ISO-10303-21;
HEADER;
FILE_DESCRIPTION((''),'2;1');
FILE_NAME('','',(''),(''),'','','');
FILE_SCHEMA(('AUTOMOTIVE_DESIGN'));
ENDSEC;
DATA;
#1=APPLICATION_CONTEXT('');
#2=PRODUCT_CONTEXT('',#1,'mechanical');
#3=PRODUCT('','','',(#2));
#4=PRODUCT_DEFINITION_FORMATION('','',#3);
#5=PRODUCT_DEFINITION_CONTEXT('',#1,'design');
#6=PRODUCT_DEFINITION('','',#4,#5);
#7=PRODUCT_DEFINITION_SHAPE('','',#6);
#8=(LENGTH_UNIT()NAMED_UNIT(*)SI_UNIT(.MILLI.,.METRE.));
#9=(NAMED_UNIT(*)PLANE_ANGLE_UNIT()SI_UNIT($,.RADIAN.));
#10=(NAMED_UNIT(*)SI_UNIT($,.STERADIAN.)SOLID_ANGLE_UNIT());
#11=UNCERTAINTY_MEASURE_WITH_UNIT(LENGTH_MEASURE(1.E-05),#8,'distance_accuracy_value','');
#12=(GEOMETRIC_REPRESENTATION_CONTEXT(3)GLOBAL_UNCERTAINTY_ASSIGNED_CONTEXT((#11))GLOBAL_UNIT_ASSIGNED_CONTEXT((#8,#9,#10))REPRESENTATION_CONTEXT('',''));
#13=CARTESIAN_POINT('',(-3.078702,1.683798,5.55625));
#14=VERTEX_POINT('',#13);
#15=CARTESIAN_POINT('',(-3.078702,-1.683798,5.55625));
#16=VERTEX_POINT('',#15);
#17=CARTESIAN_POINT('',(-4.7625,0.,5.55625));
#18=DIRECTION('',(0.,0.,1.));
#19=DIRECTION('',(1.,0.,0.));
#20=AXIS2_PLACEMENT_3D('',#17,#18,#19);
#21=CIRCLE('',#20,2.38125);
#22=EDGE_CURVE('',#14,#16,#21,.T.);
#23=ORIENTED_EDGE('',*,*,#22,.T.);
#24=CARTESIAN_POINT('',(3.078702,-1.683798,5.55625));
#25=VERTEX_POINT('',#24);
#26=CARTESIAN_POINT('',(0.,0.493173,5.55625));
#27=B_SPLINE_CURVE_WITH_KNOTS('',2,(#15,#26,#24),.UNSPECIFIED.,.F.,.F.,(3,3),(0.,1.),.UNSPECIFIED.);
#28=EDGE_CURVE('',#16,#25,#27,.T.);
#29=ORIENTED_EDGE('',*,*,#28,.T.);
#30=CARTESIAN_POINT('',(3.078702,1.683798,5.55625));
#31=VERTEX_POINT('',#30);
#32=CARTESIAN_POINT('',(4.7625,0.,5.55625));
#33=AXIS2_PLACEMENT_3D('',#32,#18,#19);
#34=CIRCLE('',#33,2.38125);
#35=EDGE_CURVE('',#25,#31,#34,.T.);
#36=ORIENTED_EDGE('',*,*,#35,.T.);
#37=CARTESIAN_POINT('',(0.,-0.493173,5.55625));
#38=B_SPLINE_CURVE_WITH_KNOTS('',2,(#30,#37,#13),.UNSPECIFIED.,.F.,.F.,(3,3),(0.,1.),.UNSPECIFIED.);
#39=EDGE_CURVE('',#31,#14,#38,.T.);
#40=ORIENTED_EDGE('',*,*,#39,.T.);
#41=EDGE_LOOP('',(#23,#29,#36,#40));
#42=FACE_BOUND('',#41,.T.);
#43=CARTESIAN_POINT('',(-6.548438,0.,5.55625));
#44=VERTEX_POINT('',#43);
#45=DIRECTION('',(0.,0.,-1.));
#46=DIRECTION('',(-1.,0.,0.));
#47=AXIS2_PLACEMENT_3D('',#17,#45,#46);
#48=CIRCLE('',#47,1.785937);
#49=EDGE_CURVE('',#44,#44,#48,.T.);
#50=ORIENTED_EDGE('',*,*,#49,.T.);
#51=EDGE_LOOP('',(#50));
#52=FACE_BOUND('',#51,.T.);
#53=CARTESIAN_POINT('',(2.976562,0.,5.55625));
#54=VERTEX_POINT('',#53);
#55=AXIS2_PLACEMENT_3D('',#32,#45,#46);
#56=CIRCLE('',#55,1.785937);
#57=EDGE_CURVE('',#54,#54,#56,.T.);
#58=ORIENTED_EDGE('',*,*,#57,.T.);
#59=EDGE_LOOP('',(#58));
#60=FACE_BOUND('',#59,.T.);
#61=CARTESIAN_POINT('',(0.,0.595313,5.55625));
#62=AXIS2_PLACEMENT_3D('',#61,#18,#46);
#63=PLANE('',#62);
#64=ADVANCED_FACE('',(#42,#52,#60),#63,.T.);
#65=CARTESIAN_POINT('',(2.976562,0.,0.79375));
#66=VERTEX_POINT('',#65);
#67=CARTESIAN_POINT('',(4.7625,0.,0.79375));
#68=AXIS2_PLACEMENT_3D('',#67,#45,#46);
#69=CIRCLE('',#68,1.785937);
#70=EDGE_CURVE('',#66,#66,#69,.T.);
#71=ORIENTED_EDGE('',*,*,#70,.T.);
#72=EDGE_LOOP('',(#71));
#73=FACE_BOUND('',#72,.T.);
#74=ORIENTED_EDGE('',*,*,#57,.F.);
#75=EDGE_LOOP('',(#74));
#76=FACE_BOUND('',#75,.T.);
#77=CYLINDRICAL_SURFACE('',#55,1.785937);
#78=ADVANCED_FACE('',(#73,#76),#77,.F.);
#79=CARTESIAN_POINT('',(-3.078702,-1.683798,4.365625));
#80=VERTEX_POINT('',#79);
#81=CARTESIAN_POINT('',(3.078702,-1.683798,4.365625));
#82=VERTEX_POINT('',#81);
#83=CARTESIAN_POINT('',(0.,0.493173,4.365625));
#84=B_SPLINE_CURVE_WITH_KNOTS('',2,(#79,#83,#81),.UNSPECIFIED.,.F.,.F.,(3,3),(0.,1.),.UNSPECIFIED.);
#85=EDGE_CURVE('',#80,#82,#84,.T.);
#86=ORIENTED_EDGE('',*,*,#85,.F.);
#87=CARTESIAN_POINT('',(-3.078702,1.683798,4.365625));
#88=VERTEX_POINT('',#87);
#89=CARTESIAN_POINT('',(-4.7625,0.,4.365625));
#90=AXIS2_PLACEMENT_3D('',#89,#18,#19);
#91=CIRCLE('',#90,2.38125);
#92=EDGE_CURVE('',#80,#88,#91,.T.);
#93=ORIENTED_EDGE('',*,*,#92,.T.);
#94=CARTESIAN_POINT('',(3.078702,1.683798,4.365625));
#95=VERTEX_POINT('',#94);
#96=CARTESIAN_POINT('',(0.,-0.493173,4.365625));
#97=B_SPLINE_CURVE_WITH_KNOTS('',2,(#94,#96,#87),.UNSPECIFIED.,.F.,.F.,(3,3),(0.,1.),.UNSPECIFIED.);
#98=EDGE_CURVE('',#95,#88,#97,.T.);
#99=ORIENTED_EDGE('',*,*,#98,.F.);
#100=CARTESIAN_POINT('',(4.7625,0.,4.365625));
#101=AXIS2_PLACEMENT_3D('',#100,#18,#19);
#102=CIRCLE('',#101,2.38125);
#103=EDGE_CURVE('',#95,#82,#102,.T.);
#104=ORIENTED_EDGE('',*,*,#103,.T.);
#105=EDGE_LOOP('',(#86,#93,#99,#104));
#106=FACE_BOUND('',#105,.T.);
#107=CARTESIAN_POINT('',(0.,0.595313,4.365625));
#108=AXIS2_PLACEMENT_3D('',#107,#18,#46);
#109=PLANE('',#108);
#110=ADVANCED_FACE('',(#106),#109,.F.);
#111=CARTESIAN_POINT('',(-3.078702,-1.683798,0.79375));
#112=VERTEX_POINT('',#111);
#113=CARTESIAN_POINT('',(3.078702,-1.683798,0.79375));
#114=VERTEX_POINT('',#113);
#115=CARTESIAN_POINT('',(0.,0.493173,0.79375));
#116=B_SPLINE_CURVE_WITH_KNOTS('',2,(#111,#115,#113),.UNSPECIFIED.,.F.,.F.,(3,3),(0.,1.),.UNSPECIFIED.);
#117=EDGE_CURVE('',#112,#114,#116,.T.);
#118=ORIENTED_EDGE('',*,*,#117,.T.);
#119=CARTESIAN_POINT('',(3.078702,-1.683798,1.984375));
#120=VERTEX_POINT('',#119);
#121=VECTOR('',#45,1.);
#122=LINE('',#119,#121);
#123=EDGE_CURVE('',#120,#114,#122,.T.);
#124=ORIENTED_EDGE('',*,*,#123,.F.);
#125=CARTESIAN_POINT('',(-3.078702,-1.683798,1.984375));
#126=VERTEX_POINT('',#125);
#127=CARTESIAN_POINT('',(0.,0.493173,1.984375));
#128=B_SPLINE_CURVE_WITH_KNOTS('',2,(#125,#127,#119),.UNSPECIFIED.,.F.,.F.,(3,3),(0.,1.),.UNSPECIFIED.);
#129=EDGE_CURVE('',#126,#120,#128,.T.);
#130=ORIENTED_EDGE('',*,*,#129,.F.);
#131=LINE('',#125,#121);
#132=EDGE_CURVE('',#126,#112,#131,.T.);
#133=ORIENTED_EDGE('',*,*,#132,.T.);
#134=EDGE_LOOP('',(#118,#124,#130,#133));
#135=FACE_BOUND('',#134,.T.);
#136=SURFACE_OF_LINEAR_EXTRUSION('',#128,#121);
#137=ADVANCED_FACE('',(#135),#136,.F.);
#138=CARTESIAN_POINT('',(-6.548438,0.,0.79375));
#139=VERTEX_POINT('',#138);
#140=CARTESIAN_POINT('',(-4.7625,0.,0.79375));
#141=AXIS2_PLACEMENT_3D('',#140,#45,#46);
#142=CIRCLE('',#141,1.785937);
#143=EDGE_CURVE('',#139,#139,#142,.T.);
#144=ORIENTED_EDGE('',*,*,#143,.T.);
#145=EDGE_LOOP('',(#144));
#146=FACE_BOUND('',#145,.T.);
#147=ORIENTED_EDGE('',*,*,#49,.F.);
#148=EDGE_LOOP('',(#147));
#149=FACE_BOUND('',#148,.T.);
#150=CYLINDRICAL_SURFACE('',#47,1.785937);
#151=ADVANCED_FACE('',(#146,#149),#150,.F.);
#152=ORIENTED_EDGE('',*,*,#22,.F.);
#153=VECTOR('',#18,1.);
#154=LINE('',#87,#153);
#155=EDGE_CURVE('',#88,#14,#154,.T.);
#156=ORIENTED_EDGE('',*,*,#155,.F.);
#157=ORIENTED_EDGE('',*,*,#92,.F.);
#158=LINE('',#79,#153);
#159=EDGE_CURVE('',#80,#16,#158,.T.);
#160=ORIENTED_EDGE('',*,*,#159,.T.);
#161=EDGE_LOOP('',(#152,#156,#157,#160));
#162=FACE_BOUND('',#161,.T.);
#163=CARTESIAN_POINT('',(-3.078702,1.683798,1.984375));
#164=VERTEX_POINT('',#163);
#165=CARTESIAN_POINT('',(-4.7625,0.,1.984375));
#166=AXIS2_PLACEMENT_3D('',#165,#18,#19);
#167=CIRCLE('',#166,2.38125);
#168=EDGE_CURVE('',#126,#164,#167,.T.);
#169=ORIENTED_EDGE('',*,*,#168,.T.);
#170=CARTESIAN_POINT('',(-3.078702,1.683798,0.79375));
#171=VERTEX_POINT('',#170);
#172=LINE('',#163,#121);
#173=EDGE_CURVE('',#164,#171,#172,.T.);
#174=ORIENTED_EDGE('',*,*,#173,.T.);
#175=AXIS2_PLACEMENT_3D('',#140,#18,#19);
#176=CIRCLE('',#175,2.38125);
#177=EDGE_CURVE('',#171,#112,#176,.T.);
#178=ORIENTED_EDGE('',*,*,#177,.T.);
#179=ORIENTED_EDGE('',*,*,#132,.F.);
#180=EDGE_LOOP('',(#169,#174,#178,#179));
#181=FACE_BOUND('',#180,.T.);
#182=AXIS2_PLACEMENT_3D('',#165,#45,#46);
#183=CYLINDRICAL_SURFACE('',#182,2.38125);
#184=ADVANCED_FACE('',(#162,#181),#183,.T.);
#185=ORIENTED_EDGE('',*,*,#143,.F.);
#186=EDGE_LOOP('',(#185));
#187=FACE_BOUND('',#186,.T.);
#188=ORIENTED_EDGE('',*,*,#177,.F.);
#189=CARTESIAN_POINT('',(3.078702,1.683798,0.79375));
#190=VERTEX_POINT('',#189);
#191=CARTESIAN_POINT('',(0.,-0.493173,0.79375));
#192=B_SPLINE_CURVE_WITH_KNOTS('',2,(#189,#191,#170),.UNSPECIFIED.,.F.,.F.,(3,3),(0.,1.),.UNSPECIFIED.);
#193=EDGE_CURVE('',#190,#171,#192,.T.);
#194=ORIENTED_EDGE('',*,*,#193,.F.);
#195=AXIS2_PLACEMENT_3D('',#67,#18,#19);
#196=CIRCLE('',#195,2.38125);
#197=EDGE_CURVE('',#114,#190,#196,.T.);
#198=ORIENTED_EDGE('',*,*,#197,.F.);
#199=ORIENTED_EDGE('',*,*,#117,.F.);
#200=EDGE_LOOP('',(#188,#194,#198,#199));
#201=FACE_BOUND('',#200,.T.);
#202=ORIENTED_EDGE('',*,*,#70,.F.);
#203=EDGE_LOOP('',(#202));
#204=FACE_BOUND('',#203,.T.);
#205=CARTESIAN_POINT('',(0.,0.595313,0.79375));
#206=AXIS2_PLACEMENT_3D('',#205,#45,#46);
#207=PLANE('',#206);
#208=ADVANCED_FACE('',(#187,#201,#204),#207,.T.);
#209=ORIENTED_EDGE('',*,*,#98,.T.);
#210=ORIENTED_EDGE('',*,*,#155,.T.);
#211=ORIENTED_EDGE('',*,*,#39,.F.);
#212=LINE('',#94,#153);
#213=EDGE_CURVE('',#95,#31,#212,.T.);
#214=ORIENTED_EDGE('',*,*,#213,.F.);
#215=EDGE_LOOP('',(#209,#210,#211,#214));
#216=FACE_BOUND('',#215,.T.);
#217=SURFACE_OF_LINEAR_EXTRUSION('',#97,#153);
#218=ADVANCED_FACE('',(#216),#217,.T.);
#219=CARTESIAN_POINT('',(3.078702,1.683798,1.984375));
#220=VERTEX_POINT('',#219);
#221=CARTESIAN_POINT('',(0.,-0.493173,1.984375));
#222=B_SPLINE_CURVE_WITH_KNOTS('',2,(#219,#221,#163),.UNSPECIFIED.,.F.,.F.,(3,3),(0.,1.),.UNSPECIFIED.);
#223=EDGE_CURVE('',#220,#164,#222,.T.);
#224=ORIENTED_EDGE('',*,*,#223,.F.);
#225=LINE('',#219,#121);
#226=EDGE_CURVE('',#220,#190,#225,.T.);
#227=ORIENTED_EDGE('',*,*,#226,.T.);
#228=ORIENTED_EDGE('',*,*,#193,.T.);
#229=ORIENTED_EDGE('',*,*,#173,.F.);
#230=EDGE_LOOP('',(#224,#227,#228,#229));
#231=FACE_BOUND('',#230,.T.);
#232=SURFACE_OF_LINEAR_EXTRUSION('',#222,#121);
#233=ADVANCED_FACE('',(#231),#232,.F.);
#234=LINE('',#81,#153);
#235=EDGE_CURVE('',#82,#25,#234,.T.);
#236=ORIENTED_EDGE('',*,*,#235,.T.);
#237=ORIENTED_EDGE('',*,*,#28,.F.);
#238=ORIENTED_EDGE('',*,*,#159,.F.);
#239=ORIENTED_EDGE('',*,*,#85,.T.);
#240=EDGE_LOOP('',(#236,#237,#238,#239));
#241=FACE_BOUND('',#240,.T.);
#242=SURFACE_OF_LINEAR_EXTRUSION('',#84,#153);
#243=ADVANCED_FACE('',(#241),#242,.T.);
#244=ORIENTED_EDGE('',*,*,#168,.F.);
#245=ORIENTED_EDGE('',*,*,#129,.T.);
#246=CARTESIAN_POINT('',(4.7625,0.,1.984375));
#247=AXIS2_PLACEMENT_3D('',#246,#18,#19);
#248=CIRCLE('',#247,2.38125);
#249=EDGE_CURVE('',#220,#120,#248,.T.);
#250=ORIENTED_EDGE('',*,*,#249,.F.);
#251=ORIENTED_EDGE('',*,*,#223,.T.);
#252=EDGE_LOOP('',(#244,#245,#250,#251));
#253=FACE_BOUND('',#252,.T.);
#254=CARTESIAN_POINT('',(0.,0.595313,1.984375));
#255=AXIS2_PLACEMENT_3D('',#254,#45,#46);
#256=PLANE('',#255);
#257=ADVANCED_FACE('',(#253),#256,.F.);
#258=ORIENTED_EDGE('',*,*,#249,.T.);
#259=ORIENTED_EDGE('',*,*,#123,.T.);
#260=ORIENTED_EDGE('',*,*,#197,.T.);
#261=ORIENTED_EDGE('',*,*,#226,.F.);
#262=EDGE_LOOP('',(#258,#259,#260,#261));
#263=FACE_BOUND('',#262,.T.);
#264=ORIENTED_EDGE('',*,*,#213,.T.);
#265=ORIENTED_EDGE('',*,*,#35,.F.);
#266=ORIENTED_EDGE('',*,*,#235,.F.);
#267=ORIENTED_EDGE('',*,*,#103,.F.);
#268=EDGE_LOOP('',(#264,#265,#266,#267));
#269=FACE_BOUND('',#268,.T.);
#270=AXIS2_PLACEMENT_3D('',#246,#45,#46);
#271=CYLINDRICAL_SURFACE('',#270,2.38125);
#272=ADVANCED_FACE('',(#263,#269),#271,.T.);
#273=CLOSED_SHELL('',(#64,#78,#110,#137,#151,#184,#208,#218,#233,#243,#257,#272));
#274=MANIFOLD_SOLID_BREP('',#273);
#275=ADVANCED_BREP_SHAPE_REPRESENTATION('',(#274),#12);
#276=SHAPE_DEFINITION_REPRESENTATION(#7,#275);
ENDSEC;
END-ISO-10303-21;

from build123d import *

# Parameters (mm, degrees)
BOSS_EXTRUDE1_DEPTH = 1.5875
SKETCH2_R           = 3.175
BOSS_EXTRUDE2_DEPTH = 3.175
SKETCH3_R           = 2.38125
CUT_EXTRUDE1_DEPTH  = 6.35
SCALE1_SCALE        = 0.75


with BuildPart() as part:
    # Sketch1 → Boss-Extrude1 (new body)
    with BuildSketch(Plane.XY):
        with BuildLine():
            ThreePointArc((-4.10493597, 2.24506403), (-9.525, 0), (-4.10493597, -2.24506403))
            add(Edge.make_bspline(
                [(-4.10493597, -2.24506403), (0, 0.65756403), (4.10493597, -2.24506403)],
                knots=[0, 0, 0, 1, 1, 1], degree=2))
            ThreePointArc((4.10493597, -2.24506403), (9.525, 0), (4.10493597, 2.24506403))
            add(Edge.make_bspline(
                [(-4.10493597, 2.24506403), (0, -0.65756403), (4.10493597, 2.24506403)],
                knots=[0, 0, 0, 1, 1, 1], degree=2))
        make_face()
    boss_extrude1 = extrude(amount=BOSS_EXTRUDE1_DEPTH)

    # Sketch2 → Boss-Extrude2 (add)
    with BuildSketch(Plane.XY.offset(1.5875)):
        with Locations(Location((-6.35, 0, 0), (0, 0, 315))):
            Circle(SKETCH2_R)
        with Locations(Location((6.35, 0, 0), (0, 0, 135))):
            Circle(SKETCH2_R)
    extrude(amount=BOSS_EXTRUDE2_DEPTH)

    # Mirror1: Boss-Extrude1 across plane
    add(boss_extrude1.mirror(Plane.XY.offset(3.175)))

    # Sketch3 → Cut-Extrude1 (cut)
    with BuildSketch(Plane(origin=(0, 0, 0), x_dir=(-1, 0, 0), z_dir=(0, 0, -1))):
        with Locations((-6.35, 0)):
            Circle(SKETCH3_R)
        with Locations((6.35, 0)):
            Circle(SKETCH3_R)
    extrude(amount=-CUT_EXTRUDE1_DEPTH, mode=Mode.SUBTRACT)


with BuildPart() as part_1:
    # Scale1: scaled about (0, 0, 3.175)
    add(part.part.scale(SCALE1_SCALE).moved(Location((0, 0, 0.79375))))


solid = part_1.part
